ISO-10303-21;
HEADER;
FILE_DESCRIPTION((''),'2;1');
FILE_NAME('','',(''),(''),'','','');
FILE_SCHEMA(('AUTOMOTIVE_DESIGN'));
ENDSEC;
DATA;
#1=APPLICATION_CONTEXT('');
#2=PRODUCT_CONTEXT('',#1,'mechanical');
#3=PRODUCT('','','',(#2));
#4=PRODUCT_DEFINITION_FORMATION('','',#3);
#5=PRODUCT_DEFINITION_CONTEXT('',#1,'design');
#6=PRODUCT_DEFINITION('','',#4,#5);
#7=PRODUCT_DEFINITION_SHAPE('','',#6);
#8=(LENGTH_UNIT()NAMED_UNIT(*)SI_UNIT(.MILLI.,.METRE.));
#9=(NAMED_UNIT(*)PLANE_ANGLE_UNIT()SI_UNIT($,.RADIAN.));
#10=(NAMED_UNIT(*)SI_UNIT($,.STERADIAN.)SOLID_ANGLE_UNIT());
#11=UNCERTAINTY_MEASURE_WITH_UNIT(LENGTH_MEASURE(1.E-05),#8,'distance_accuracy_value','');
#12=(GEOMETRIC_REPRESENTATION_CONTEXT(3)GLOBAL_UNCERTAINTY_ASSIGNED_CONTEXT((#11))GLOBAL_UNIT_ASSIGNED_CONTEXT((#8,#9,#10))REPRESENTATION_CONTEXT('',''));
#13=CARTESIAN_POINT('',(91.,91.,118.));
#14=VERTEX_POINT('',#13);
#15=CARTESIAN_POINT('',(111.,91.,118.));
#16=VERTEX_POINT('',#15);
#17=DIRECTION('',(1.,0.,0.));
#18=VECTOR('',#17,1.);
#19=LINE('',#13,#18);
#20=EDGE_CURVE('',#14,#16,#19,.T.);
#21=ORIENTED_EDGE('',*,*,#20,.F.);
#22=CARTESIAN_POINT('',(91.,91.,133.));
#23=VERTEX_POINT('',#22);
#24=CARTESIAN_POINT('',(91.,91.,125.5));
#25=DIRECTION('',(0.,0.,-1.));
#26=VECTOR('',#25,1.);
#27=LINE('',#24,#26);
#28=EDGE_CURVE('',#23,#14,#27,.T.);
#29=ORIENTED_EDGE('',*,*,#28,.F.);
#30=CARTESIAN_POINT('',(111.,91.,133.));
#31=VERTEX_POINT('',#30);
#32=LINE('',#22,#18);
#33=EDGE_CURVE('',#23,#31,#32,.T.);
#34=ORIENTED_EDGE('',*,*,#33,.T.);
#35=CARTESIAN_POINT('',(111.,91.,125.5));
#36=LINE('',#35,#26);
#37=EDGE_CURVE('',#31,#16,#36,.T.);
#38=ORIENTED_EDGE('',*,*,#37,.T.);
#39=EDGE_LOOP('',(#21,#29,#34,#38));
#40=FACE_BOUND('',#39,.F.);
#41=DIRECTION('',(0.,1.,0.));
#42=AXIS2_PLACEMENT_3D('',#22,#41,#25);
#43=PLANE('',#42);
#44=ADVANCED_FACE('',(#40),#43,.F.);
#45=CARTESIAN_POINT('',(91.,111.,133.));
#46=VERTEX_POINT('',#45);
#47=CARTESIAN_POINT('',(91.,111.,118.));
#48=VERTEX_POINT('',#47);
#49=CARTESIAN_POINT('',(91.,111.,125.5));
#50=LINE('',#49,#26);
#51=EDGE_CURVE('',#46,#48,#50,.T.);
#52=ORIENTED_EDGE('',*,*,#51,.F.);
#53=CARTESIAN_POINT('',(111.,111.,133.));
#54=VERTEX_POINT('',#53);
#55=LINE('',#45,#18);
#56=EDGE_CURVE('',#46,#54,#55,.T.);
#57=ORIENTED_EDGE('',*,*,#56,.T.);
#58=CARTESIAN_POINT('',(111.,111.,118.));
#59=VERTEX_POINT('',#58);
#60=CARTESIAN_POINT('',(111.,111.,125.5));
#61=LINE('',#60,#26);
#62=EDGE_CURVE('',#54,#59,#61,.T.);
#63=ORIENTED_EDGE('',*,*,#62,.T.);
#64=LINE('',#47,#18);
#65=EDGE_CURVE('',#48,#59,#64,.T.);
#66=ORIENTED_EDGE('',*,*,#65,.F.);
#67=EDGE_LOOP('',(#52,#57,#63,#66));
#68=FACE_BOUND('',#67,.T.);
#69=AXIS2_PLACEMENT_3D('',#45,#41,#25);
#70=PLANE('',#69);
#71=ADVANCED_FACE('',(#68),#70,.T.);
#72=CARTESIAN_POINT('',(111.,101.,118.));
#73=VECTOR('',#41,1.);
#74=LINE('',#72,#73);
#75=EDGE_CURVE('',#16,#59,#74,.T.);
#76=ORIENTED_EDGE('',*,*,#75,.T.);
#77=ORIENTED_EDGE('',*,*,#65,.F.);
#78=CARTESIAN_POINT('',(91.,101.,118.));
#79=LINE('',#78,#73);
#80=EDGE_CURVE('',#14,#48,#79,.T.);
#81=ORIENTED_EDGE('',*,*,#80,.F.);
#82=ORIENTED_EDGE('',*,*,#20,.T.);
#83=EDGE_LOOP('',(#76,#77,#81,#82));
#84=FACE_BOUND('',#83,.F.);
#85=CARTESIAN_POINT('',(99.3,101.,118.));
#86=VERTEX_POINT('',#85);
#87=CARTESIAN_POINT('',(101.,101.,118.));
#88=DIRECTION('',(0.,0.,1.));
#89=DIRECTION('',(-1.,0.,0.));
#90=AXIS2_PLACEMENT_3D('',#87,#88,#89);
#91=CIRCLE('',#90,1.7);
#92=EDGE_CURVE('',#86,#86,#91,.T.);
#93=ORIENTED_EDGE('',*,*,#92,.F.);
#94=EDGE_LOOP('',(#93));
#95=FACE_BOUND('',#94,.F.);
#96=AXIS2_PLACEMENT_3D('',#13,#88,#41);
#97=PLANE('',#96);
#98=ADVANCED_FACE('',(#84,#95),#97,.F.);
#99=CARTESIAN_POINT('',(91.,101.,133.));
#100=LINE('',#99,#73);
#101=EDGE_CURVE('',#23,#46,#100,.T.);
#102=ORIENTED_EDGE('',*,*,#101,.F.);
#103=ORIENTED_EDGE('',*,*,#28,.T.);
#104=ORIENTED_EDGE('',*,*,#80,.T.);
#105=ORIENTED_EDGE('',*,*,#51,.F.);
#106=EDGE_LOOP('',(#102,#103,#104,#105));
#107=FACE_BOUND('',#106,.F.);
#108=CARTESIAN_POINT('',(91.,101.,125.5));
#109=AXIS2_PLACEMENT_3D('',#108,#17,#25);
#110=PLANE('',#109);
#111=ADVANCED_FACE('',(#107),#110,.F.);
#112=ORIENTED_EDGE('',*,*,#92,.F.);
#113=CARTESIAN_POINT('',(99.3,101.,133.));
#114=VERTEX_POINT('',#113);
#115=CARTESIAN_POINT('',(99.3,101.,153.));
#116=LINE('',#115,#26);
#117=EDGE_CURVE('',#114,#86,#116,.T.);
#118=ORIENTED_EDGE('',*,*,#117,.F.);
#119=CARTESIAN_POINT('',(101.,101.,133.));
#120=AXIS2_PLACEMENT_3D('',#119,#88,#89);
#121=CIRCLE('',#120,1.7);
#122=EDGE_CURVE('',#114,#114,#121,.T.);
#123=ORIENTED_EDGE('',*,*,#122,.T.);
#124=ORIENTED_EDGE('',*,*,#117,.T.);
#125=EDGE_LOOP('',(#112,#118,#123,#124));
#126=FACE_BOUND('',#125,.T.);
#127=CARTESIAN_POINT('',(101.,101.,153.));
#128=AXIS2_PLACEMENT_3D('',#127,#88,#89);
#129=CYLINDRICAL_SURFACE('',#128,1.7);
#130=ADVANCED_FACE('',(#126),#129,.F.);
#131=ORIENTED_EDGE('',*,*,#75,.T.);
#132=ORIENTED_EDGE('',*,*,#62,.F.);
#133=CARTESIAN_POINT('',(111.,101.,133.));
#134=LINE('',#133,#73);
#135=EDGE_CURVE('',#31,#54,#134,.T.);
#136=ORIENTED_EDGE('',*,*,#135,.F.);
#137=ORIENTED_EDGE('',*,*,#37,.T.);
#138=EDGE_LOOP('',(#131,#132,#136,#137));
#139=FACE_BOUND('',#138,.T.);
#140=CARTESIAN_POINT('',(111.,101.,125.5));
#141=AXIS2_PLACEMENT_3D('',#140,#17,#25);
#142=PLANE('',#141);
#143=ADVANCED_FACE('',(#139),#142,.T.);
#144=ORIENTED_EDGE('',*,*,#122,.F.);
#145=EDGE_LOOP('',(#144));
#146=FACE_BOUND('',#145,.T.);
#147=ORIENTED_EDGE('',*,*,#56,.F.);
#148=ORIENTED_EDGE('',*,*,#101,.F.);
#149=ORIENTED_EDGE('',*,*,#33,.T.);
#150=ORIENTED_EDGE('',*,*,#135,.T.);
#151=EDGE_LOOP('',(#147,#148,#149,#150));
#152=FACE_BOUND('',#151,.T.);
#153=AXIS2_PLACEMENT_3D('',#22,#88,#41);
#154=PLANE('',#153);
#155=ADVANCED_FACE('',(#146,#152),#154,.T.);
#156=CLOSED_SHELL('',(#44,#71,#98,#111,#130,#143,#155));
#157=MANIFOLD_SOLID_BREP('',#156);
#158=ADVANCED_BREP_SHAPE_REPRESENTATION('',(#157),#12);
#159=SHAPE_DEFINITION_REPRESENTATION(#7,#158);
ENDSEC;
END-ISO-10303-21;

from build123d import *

# Parameters (mm, degrees)
CYLINDER053_R               = 1.7
CYLINDER053_DEPTH           = 80
CYLINDER053_PITCH_ANGLE     = 90
BOX014_W                    = 15
BOX014_H                    = 20
BOX014_DEPTH                = 20
CUT010035003036_PITCH_ANGLE = 90


with BuildPart() as taladro_tornillo013:
    # Cylinder053 → Cylinder053 (new body)
    with BuildSketch(Plane.XY):
        Circle(CYLINDER053_R)
    extrude(amount=CYLINDER053_DEPTH)


with BuildPart() as taladro_tornillo013_1:
    # Cylinder053 pitch: moved
    add(taladro_tornillo013.part.rotate(Axis((0, 0, 0), (0, 1, 0)), CYLINDER053_PITCH_ANGLE))


with BuildPart() as taladro_tornillo013_2:
    # Cylinder053 placement: moved
    add(taladro_tornillo013_1.part.moved(Location((-20, 10, 10))))


with BuildPart() as cut010035003036:
    # Box014 → Box014 (new body)
    with BuildSketch(Plane.XY):
        with Locations((7.5, 10)):
            Rectangle(BOX014_W, BOX014_H)
    extrude(amount=BOX014_DEPTH)

    # Cut010035003036: cut Taladro tornillo013
    add(taladro_tornillo013_2.part, mode=Mode.SUBTRACT)


with BuildPart() as cut010035003036_1:
    # Cut010035003036 pitch: moved
    add(cut010035003036.part.rotate(Axis((0, 0, 0), (0, 1, 0)), CUT010035003036_PITCH_ANGLE))


with BuildPart() as cut010035003036_2:
    # Cut010035003036 placement: moved
    add(cut010035003036_1.part.moved(Location((91, 91, 133))))


solid = cut010035003036_2.part
